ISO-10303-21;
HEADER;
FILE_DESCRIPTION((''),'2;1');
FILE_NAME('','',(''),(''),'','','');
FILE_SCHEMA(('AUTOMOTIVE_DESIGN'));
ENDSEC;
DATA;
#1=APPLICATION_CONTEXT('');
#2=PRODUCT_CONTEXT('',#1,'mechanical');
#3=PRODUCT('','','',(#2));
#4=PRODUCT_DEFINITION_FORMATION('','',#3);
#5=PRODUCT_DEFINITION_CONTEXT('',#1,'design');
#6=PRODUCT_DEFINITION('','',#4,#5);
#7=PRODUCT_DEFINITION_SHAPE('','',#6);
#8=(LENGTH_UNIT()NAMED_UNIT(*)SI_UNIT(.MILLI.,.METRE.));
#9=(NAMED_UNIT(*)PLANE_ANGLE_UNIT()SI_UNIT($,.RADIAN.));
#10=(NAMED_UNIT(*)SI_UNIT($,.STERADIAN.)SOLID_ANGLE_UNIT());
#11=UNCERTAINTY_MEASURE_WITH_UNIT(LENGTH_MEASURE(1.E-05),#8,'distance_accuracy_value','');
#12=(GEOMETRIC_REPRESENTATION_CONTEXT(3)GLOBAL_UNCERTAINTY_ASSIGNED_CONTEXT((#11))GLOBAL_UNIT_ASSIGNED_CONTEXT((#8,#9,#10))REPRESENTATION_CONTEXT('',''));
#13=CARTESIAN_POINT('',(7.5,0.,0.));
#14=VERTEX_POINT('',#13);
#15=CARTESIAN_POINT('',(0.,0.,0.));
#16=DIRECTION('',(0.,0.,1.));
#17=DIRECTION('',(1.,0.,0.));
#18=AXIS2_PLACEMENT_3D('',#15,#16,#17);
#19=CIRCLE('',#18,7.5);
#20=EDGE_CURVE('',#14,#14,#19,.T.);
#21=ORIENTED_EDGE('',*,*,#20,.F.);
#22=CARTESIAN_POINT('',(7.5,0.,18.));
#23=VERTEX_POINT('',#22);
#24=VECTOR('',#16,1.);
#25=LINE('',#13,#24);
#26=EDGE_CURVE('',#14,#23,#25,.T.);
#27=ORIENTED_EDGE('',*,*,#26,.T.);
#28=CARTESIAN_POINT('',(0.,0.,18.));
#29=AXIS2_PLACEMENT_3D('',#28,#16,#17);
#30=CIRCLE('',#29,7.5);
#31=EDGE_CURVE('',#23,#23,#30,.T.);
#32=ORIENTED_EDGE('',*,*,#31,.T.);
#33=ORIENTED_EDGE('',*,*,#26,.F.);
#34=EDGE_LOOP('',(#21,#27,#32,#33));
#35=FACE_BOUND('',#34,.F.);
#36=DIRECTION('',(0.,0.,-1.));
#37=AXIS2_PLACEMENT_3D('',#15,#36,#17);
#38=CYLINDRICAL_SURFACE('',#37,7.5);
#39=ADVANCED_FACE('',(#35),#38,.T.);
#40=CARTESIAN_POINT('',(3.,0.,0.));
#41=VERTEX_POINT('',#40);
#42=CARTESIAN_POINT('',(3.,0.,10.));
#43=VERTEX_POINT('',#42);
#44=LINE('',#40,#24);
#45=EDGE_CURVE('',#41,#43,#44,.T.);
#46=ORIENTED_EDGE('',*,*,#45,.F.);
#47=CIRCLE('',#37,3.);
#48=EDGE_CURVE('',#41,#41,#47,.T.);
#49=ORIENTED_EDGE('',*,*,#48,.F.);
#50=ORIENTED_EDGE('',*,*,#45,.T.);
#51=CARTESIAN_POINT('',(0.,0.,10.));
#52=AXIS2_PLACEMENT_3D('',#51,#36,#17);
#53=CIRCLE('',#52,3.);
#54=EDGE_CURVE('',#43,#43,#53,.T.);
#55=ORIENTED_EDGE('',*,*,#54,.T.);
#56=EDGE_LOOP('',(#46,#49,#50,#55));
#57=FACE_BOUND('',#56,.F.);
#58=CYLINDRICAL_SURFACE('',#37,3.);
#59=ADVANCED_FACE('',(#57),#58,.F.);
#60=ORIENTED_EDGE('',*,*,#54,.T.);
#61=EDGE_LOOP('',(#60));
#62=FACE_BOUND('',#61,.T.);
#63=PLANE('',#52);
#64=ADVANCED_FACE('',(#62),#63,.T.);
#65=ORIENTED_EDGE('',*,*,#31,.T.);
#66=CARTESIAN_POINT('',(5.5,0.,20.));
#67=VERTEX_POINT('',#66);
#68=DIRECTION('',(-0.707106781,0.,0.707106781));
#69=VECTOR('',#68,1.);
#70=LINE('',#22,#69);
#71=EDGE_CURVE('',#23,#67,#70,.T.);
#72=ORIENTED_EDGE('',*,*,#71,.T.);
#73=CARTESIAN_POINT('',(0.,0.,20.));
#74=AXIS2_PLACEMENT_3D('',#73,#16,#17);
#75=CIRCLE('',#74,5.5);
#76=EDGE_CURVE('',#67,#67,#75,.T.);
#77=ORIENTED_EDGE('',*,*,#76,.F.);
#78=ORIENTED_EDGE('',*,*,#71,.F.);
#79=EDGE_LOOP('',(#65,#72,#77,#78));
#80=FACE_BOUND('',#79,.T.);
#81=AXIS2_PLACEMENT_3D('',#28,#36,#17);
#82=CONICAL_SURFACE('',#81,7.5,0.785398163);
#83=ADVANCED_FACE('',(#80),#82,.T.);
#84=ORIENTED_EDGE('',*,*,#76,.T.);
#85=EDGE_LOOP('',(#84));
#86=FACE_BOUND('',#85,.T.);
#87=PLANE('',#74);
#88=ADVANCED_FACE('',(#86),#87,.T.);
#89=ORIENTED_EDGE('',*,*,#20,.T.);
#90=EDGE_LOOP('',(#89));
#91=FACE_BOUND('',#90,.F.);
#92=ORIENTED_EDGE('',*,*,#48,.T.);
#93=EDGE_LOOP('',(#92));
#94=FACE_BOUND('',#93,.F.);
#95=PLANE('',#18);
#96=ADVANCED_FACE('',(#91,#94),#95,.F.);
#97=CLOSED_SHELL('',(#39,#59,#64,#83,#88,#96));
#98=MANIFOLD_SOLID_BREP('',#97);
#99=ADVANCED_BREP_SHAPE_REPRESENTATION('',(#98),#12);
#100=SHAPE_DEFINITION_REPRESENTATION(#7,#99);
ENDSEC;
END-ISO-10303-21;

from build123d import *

# Parameters (mm, degrees)
F0_R     = 7.5
F1_DEPTH = 20
F2_SIZE  = 2
F3_R     = 3
F4_DEPTH = 10


with BuildPart() as f1:
    # F0 (on Top) → F1 (new body)
    with BuildSketch(Plane.XY):
        Circle(F0_R)
    extrude(amount=F1_DEPTH)

    # F2
    f2_edges = [f1.edges().sort_by_distance(p)[0] for p in [
        (-7.5, 0, 20),
    ]]
    chamfer(f2_edges, length=F2_SIZE)

    # F3 (on face) → F4 (cut)
    with BuildSketch(Plane(origin=(0, 0, 0), x_dir=(1, 0, 0), z_dir=(0, 0, -1))):
        Circle(F3_R)
    extrude(amount=-F4_DEPTH, mode=Mode.SUBTRACT)


solid = f1.part
